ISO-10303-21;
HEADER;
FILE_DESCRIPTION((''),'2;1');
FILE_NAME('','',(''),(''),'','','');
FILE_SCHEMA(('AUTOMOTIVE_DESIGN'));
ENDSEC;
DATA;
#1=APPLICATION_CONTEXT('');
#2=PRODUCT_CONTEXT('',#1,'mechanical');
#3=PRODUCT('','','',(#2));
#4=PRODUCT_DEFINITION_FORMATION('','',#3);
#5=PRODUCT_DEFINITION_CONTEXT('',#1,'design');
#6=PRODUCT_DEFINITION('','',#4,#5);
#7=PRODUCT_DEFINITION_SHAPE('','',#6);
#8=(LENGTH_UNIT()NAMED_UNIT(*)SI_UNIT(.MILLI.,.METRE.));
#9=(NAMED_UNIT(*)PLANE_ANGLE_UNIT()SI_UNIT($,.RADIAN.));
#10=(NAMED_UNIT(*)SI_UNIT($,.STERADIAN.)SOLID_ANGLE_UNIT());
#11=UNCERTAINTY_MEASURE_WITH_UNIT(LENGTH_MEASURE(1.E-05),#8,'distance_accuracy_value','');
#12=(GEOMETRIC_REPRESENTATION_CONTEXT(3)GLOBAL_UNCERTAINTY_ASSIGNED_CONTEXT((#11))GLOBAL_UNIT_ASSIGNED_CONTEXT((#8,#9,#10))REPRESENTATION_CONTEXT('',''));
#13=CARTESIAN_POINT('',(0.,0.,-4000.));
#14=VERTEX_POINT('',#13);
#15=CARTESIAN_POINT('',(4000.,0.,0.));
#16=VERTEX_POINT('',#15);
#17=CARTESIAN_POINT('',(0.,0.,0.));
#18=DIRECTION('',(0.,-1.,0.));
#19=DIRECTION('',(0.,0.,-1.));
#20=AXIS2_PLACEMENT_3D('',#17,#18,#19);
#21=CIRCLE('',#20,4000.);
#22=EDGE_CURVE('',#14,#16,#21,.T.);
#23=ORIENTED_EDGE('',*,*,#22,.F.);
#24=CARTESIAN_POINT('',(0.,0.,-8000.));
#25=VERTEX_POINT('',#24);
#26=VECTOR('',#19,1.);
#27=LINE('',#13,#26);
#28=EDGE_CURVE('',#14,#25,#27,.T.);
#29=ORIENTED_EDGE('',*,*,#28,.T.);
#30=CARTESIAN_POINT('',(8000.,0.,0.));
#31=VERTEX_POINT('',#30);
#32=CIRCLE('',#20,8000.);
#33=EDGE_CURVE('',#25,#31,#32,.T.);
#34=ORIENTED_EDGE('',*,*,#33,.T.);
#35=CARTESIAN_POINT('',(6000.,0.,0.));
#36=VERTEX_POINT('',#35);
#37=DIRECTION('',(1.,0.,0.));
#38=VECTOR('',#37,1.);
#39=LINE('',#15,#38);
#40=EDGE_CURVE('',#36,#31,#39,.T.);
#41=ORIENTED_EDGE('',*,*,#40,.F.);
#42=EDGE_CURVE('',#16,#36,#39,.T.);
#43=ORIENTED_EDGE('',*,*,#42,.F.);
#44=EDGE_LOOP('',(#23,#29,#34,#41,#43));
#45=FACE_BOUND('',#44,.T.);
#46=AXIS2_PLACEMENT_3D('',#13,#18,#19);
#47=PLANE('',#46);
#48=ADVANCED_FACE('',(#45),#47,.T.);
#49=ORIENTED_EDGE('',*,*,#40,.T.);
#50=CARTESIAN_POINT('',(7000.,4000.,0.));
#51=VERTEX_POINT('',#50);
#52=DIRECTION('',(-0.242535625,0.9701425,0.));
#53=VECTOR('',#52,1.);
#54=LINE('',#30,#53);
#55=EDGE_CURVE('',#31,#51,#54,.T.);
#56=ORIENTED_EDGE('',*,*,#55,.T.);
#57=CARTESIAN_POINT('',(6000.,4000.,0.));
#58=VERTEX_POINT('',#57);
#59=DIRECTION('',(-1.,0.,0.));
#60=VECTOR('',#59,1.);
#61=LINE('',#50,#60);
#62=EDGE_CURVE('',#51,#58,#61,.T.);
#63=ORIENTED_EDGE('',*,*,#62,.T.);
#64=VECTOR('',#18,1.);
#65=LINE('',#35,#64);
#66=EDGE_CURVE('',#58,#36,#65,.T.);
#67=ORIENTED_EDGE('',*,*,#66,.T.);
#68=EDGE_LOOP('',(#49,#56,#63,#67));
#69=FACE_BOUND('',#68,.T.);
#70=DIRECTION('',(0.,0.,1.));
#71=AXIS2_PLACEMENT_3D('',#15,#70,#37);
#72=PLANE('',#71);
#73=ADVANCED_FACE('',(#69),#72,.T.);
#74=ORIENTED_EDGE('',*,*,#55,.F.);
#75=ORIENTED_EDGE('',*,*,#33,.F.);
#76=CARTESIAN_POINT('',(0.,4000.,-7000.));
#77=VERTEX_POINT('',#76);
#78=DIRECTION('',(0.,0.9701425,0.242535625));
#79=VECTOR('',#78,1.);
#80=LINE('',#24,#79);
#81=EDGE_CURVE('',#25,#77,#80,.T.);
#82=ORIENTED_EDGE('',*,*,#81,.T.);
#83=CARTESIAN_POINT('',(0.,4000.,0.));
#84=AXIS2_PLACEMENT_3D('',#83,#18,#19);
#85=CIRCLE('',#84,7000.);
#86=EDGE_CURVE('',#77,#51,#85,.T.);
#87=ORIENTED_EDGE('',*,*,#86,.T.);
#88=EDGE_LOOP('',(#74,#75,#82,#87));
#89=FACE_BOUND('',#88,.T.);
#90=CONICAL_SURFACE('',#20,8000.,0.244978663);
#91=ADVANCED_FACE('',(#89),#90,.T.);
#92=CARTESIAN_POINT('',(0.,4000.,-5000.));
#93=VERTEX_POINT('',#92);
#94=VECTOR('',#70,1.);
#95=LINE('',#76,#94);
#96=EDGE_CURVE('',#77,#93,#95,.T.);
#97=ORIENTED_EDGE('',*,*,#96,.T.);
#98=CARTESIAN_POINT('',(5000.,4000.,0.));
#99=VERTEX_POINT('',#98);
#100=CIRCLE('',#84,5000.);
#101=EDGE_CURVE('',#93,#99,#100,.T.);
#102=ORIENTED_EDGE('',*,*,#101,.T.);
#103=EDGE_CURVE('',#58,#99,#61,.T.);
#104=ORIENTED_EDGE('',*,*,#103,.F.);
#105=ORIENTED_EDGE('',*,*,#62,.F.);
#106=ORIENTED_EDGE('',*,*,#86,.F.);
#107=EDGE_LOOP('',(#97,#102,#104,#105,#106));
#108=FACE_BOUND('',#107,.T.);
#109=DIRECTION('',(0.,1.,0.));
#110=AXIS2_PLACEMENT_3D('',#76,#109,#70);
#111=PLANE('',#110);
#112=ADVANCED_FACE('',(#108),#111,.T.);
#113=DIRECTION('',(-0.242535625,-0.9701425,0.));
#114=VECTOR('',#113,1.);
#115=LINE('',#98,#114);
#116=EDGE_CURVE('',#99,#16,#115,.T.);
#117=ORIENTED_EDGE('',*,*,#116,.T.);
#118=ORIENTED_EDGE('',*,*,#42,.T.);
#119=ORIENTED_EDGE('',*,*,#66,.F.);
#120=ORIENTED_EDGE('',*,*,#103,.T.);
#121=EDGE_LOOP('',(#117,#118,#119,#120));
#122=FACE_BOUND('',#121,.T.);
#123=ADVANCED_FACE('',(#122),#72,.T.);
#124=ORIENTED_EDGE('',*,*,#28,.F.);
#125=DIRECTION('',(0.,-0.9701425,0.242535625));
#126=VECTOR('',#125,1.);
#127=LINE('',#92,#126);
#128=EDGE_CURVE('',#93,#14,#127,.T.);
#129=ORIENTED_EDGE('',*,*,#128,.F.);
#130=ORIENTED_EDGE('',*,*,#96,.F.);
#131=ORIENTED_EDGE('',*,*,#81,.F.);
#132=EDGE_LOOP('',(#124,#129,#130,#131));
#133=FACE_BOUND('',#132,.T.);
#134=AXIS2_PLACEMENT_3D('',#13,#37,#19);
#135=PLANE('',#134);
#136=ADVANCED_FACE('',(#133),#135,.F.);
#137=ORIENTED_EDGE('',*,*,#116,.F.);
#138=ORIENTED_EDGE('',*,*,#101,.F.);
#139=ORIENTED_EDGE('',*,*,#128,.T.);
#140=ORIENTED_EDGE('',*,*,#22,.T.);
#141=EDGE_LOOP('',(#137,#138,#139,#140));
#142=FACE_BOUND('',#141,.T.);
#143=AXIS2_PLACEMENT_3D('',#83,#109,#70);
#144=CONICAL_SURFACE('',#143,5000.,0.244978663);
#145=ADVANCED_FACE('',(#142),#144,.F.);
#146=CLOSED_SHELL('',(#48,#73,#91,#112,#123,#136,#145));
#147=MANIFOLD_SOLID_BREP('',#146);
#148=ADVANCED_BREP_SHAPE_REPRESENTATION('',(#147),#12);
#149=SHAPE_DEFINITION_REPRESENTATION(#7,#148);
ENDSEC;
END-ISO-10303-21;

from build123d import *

# Parameters (mm, degrees)
REVOLVE1_ANGLE = 90


with BuildPart() as part:
    # Sketch1 → Revolve1 (revolve)
    with BuildSketch(Plane.XY):
        Polygon((4000, 0), (8000, 0), (7000, 4000), (5000, 4000), align=None)
    revolve(axis=Axis((0, 0, 0), (0, 1, 0)), revolution_arc=REVOLVE1_ANGLE)


solid = part.part
